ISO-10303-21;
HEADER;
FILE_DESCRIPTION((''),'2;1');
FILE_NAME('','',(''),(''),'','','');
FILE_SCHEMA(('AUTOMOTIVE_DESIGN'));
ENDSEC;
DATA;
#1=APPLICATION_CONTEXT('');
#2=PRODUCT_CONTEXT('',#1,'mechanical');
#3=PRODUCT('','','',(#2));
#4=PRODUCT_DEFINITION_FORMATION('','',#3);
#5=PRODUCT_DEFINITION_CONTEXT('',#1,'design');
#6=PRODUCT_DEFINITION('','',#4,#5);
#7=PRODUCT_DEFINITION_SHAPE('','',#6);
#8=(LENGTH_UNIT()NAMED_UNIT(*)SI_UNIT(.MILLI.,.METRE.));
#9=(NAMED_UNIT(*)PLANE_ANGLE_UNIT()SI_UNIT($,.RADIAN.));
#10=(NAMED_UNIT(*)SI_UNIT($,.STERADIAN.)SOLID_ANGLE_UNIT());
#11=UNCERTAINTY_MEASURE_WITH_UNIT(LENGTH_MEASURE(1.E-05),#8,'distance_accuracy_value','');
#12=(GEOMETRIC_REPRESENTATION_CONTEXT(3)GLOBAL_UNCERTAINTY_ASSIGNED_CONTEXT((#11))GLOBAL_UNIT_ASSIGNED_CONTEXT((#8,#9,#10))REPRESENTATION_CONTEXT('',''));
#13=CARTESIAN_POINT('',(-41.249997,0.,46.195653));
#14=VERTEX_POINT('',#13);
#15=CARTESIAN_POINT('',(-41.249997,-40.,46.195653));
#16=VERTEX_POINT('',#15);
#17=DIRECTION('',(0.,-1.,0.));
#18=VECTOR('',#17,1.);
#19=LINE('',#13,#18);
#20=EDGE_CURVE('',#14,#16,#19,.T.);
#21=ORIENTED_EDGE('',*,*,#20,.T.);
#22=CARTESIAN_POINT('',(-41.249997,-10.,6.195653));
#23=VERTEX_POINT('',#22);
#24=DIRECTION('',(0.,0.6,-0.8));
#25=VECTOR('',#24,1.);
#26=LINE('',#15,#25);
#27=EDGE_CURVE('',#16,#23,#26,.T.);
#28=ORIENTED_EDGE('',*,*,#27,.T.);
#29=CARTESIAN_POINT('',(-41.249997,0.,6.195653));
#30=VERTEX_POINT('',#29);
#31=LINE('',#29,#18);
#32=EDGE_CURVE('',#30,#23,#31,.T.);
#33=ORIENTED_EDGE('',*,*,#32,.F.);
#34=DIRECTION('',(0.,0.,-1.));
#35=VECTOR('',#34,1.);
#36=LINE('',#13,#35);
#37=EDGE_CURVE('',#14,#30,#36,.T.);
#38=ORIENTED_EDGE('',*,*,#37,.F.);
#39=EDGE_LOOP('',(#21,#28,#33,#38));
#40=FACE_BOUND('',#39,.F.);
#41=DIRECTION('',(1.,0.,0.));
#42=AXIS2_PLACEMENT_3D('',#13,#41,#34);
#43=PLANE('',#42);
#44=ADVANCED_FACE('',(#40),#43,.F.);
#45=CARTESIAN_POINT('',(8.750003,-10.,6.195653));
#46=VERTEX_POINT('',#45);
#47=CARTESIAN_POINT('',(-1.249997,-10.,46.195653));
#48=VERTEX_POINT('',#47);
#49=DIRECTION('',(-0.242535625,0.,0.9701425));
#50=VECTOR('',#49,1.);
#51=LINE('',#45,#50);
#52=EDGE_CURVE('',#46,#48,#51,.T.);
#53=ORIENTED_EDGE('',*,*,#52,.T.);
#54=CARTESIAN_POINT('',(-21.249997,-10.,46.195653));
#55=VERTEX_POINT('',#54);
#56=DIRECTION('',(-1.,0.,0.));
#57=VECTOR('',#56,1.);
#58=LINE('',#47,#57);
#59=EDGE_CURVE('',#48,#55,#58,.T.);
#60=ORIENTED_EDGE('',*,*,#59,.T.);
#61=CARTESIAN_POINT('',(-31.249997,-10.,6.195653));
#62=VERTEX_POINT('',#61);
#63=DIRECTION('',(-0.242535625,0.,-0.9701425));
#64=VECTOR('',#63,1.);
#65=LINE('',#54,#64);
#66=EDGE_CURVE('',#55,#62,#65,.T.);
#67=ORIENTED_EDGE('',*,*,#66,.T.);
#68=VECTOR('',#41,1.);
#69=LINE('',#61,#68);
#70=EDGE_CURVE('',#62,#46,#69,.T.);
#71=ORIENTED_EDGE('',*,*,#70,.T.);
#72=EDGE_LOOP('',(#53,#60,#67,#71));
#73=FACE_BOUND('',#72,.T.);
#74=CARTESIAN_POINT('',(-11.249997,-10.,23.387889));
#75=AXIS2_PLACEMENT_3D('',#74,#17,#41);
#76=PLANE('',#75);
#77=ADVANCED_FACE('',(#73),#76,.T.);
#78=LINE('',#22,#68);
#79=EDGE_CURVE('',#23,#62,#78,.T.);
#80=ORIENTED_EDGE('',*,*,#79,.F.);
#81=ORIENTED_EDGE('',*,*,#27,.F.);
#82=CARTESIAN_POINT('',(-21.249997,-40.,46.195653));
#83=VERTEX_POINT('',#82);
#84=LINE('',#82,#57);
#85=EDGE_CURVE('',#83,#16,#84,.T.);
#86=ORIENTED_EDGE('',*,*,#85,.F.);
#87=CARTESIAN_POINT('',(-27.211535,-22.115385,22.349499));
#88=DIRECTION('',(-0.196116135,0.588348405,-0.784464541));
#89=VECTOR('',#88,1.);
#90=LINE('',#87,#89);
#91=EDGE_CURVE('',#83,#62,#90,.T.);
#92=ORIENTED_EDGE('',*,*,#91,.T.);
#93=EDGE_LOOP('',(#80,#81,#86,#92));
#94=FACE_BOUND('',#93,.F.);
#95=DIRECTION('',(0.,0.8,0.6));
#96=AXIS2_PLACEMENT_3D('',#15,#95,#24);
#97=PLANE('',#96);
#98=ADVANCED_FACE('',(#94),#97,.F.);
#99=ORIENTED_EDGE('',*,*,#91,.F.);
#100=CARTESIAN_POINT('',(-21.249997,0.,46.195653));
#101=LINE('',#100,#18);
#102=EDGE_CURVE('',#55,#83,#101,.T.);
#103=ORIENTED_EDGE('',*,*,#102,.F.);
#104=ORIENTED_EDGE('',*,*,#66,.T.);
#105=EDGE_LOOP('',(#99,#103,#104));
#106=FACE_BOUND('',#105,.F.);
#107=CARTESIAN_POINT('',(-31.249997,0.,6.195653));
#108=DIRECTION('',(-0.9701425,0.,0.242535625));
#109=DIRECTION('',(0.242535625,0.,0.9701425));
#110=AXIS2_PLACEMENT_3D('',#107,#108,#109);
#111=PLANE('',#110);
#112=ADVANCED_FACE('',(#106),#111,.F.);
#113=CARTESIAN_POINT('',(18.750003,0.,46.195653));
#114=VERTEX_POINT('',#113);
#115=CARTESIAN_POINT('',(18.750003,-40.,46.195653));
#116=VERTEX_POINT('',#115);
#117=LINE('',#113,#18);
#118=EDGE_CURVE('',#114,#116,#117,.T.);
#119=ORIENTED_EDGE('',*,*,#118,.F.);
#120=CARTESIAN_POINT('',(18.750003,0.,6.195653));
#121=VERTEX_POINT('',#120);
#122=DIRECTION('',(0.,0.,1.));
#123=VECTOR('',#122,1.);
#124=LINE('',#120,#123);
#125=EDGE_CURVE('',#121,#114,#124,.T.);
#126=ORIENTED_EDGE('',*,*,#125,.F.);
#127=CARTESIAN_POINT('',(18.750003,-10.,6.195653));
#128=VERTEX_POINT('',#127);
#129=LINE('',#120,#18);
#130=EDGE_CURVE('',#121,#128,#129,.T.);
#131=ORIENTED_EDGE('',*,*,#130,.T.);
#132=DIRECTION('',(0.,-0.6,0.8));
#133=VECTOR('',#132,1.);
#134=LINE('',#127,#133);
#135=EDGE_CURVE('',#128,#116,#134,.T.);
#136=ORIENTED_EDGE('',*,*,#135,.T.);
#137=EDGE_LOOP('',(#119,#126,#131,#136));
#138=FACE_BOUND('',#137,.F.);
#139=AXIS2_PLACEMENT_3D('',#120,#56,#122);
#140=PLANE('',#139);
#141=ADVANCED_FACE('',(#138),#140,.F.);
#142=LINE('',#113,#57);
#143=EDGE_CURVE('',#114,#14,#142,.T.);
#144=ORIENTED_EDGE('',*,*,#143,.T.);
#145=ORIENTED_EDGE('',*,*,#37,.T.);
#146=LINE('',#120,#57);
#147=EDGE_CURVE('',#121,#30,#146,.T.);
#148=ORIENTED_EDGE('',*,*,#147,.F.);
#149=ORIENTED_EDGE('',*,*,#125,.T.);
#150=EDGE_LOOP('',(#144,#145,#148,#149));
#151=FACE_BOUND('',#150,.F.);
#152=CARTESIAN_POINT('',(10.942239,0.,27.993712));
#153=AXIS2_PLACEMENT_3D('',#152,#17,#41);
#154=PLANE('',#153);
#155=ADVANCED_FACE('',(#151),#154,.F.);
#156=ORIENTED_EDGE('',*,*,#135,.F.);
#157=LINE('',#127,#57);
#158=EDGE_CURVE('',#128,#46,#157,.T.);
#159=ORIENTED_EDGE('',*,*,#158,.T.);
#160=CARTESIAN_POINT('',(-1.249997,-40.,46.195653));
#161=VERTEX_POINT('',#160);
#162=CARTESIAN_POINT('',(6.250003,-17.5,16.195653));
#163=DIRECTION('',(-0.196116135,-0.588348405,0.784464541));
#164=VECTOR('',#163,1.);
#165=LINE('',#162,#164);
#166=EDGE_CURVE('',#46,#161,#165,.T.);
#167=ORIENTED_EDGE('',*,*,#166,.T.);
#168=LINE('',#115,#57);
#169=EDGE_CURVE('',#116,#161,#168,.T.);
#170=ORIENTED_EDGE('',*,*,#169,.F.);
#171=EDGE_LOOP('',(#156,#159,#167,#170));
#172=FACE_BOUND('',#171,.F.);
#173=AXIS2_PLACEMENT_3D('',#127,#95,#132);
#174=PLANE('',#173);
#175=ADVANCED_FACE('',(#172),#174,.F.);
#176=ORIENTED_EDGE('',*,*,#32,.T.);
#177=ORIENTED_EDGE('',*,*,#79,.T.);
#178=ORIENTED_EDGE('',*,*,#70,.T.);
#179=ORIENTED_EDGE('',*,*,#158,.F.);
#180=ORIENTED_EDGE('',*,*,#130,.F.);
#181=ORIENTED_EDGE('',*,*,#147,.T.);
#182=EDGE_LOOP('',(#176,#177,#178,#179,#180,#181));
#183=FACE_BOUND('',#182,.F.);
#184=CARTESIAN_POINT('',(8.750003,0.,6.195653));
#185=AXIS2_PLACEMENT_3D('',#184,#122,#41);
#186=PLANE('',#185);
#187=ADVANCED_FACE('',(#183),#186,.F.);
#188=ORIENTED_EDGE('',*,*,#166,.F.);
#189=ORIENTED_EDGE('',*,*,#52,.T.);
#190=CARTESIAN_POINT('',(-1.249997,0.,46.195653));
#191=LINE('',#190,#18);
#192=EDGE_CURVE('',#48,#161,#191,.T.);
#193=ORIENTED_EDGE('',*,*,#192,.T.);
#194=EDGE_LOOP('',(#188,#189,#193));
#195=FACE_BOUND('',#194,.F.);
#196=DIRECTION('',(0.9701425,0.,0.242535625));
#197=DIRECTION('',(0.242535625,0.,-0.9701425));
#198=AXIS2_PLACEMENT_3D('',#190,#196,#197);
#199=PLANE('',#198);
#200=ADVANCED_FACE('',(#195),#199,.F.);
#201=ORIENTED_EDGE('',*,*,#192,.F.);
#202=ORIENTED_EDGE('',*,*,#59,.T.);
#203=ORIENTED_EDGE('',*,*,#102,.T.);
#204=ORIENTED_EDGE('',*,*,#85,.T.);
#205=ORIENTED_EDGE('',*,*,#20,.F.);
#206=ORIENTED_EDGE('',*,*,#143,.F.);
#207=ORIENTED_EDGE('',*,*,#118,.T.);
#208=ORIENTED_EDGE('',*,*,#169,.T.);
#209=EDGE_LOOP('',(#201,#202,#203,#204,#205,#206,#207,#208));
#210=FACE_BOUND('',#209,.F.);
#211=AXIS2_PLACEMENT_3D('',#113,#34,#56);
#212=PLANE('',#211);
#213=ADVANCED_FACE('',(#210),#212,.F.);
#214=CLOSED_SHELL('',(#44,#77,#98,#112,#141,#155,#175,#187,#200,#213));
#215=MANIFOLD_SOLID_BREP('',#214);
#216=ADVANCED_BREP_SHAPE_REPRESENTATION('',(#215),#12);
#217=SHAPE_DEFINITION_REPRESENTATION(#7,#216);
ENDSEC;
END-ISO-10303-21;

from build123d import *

# Parameters (mm, degrees)
F1_DEPTH  = 10
F2_DEPTH  = 40
F3_DEPTH  = 40
F5_DEPTH  = 25
F7_DEPTH  = 25
F9_DEPTH  = 25
F11_DEPTH = 25


with BuildPart() as f1:
    # F0 (on Front) → F1 (new body)
    with BuildSketch(Plane.XZ):
        Polygon((-1.249997, 46.195653), (-21.249997, 46.195653), (-31.249997, 6.195653), (-21.249997, 6.195653), (-11.249997, 6.195653), (-1.249997, 6.195653), (8.750003, 6.195653), align=None)
    extrude(amount=F1_DEPTH)

    # F0 (on Front) → F2 (join)
    with BuildSketch(Plane.XZ):
        Polygon((-21.249997, 46.195653), (-41.249997, 46.195653), (-41.249997, 6.195653), (-31.249997, 6.195653), align=None)
    extrude(amount=F2_DEPTH)

    # F0 (on Front) → F3 (join)
    with BuildSketch(Plane.XZ):
        Polygon((18.750003, 46.195653), (-1.249997, 46.195653), (8.750003, 6.195653), (18.750003, 6.195653), align=None)
    extrude(amount=F3_DEPTH)

    # F4 (on face) → F5 (cut)
    with BuildSketch(Plane(origin=(-41.249997, 0, 0), x_dir=(0, -1, 0), z_dir=(-1, 0, 0))):
        Polygon((40, 46.195653), (20, 6.195653), (30, 6.195653), (40, 6.195653), align=None)
    extrude(amount=-F5_DEPTH, mode=Mode.SUBTRACT)

    # F6 (on face) → F7 (cut)
    with BuildSketch(Plane.YZ.offset(18.750003)):
        Polygon((-30, 6.195653), (-20, 6.195653), (-40, 46.195653), (-40, 6.195653), align=None)
    extrude(amount=-F7_DEPTH, mode=Mode.SUBTRACT)

    # F8 (on face) → F9 (cut)
    with BuildSketch(Plane(origin=(-41.249997, 0, 0), x_dir=(0, -1, 0), z_dir=(-1, 0, 0))):
        Polygon((20, 6.195653), (40, 46.195653), (10, 6.195653), align=None)
    extrude(amount=-F9_DEPTH, mode=Mode.SUBTRACT)

    # F10 (on face) → F11 (cut)
    with BuildSketch(Plane.YZ.offset(18.750003)):
        Polygon((-10, 6.195653), (-40, 46.195653), (-20, 6.195653), align=None)
    extrude(amount=-F11_DEPTH, mode=Mode.SUBTRACT)


solid = f1.part
